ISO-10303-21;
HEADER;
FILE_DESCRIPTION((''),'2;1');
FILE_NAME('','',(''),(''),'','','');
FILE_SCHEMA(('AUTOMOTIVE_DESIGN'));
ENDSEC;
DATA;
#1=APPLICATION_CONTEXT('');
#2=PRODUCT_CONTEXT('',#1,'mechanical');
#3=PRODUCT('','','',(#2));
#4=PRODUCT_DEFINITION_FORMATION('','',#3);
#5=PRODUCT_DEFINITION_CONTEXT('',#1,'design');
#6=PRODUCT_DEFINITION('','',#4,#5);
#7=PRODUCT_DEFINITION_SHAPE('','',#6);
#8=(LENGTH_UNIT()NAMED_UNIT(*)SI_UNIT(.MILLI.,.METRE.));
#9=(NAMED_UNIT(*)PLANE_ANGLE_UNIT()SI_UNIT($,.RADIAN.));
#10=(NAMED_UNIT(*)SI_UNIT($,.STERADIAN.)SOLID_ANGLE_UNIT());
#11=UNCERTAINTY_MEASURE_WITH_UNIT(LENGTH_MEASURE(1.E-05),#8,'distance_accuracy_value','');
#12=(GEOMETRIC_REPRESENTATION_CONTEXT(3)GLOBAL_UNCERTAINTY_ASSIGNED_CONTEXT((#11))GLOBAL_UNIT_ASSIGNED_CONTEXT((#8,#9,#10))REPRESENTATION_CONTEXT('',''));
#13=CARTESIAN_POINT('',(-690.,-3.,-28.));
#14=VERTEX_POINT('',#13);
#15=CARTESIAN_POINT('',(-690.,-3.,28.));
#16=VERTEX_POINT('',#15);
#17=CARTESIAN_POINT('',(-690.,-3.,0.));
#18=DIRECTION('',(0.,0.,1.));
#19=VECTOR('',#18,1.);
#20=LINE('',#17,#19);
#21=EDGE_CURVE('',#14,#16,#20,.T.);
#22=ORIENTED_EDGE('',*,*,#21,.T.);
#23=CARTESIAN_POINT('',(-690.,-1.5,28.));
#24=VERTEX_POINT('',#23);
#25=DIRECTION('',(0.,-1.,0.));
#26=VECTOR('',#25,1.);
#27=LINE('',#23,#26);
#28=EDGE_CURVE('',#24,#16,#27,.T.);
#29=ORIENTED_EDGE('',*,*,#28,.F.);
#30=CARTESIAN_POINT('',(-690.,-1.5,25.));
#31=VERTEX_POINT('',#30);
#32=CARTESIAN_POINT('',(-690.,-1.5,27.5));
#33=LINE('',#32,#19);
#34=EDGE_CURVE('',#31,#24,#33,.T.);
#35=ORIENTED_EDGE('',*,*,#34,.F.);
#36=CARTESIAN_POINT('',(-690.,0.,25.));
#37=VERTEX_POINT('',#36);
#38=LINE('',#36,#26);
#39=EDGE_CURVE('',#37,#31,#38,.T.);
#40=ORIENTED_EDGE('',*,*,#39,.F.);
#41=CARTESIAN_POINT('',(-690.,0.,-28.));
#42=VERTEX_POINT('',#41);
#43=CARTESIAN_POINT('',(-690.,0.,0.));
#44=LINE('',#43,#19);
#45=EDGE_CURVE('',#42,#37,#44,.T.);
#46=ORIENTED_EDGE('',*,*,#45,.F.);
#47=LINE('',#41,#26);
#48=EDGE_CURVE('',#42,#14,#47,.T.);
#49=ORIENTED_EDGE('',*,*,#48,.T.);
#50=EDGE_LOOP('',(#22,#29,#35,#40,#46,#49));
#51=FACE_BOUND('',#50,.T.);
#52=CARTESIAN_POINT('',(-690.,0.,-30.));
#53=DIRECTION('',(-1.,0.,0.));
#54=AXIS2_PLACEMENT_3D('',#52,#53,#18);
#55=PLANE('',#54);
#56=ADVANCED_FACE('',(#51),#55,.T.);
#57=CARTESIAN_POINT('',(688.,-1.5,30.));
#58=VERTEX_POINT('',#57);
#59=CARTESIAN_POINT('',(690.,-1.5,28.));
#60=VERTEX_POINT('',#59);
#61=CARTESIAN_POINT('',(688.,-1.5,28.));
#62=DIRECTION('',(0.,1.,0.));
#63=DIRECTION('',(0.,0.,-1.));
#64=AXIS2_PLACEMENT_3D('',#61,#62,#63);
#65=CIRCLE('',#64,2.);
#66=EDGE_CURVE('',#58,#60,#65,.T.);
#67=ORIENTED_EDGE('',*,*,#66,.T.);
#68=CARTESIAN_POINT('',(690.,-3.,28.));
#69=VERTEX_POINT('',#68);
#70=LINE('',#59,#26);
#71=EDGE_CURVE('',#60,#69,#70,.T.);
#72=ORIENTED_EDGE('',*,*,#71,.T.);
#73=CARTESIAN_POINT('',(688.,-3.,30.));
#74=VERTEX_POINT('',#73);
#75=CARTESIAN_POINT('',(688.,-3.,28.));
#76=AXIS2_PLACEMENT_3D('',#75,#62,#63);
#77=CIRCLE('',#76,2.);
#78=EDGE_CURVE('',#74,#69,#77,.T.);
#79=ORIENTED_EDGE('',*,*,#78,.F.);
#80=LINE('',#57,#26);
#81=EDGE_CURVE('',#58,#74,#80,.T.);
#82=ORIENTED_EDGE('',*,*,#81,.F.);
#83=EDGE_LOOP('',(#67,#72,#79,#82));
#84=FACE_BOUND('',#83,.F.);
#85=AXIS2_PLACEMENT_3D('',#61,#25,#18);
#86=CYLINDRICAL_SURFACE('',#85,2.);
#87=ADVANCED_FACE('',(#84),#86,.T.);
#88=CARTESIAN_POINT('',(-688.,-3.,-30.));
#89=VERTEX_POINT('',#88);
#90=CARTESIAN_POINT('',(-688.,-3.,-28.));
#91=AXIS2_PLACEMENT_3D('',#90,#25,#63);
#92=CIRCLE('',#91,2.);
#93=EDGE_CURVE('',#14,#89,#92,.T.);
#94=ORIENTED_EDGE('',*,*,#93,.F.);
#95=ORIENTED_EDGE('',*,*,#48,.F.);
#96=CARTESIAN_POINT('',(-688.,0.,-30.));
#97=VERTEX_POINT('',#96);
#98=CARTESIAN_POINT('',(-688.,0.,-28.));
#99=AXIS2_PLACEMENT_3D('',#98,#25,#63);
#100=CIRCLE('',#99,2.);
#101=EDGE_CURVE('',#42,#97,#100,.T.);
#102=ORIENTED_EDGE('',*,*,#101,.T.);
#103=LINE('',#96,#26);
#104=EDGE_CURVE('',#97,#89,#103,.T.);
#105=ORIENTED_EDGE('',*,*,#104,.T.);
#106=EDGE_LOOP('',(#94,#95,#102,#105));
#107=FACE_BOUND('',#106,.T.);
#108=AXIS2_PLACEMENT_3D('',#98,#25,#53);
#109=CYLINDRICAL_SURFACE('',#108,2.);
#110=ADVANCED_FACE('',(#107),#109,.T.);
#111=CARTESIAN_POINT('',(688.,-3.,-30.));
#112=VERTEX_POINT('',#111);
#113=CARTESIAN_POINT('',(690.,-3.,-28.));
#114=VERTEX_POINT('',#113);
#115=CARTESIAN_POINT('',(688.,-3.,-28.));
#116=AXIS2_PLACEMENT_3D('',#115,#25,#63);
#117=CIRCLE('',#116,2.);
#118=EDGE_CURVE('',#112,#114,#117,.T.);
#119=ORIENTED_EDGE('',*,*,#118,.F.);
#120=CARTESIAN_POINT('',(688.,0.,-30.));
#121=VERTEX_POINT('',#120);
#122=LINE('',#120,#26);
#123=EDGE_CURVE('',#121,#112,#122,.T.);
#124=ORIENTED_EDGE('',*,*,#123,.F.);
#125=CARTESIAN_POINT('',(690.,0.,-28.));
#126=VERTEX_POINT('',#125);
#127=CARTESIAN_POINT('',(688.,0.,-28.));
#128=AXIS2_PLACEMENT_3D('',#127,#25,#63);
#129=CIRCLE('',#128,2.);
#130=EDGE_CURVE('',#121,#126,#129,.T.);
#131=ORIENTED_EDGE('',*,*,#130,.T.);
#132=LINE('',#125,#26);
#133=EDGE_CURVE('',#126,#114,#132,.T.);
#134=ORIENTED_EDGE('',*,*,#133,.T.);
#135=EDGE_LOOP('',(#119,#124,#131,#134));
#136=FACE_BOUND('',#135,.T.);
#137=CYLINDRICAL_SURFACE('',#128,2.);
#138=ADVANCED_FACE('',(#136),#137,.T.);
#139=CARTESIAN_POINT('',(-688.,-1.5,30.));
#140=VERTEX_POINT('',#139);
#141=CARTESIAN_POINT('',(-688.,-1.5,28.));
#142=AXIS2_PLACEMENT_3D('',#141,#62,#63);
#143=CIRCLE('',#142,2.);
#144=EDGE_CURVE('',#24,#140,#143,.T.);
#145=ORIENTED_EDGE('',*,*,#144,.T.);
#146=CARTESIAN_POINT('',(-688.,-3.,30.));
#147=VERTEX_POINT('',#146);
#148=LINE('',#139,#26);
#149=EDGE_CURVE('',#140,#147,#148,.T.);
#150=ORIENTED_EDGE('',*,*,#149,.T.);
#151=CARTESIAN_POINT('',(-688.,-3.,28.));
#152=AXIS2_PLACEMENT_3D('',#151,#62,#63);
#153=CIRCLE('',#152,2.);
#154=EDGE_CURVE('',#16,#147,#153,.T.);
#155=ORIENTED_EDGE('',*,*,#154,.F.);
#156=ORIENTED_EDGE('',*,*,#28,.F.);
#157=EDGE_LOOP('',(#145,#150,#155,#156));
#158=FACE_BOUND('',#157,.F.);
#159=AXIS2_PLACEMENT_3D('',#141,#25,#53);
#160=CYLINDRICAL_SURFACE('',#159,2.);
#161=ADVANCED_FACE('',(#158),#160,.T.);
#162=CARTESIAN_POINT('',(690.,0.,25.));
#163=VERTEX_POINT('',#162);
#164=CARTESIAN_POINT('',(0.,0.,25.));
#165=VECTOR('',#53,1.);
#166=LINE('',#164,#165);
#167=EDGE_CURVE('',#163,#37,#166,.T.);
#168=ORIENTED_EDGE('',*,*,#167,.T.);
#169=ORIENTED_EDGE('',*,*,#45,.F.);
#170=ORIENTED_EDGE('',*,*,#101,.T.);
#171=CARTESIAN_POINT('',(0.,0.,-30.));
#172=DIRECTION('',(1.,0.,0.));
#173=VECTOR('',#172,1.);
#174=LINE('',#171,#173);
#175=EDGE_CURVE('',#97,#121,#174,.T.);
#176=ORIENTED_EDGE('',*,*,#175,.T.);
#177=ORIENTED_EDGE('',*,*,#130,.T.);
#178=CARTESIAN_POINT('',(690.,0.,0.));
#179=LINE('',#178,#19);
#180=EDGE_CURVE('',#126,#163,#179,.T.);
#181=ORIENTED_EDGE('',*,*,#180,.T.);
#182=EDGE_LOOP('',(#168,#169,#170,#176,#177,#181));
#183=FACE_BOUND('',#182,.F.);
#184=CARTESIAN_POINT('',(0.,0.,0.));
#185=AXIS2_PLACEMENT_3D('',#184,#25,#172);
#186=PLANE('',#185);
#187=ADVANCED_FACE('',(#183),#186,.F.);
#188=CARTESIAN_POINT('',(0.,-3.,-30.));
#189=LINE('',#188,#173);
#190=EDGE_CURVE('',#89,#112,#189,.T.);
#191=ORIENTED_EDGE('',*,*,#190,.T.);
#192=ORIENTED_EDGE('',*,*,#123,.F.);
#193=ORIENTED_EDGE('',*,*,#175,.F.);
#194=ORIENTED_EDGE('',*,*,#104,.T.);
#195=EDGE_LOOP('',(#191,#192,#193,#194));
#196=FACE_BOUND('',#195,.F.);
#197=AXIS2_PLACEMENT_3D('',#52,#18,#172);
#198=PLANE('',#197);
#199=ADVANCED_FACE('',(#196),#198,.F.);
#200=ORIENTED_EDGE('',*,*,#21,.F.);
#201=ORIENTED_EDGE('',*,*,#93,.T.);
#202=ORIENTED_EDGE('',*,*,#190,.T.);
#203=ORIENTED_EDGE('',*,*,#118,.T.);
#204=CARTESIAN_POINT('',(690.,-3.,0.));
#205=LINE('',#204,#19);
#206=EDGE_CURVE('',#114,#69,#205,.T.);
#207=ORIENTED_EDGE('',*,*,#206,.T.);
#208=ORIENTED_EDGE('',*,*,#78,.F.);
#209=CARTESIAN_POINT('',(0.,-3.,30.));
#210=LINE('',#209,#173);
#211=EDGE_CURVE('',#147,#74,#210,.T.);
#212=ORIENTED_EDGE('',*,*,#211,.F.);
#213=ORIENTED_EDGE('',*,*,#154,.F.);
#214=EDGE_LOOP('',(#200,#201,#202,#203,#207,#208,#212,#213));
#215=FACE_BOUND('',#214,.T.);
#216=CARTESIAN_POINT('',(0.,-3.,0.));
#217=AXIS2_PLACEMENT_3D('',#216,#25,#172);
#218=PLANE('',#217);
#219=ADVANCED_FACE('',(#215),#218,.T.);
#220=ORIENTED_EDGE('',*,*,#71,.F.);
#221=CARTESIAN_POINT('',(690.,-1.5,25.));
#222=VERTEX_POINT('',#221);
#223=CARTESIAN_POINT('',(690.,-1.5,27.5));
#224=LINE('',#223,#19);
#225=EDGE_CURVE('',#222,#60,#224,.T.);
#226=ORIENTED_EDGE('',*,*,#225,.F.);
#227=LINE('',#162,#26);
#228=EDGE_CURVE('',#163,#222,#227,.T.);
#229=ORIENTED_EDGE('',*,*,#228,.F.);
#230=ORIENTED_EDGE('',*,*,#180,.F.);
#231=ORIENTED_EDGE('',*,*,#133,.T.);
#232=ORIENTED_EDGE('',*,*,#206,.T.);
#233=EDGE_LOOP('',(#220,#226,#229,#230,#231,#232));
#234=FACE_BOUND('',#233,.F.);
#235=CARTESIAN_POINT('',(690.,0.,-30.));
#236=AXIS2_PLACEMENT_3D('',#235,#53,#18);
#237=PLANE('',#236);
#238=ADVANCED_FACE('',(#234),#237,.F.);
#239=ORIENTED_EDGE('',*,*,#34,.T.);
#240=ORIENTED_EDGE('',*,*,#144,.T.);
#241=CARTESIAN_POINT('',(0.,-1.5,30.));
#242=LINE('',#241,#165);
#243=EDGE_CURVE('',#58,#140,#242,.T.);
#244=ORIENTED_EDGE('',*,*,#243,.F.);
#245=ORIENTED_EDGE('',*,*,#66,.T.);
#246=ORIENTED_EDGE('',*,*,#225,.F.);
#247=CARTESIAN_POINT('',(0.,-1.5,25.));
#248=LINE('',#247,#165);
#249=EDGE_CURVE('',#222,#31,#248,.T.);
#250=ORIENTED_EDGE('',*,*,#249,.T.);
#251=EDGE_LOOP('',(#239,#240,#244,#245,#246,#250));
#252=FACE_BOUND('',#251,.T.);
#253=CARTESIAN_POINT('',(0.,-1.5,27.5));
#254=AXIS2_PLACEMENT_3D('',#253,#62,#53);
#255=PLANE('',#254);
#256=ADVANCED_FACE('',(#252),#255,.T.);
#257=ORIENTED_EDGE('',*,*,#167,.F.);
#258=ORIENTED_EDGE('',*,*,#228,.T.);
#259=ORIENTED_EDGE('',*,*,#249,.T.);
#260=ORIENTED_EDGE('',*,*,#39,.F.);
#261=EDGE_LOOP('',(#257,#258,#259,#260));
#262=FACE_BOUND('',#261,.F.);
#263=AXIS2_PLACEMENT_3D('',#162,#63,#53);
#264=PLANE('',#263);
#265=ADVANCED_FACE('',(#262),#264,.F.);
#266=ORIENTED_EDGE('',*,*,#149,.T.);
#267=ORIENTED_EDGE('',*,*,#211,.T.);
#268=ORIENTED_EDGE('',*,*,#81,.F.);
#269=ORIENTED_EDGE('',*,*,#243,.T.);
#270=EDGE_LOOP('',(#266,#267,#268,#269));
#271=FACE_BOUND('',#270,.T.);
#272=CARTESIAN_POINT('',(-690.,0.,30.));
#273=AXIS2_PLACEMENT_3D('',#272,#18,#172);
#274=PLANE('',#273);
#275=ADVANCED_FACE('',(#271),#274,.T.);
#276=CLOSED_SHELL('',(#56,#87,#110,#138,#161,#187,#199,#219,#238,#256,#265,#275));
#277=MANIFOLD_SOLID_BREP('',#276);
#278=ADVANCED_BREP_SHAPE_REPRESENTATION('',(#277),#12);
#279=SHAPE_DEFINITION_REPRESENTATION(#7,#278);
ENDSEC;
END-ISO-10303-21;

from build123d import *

# Parameters (mm, degrees)
F0_W     = 1380
F0_H     = 60
F1_DEPTH = 3
F2_W     = 1380
F2_H     = 5
F3_DEPTH = 1.5
F4_R     = 2


with BuildPart() as f1:
    # F0 (on Front) → F1 (new body)
    with BuildSketch(Plane.XZ):
        Rectangle(F0_W, F0_H)
    extrude(amount=F1_DEPTH)

    # F2 (on face) → F3 (cut)
    with BuildSketch(Plane(origin=(0, 0, 0), x_dir=(-1, 0, 0), z_dir=(0, 1, 0))):
        with Locations((0, 27.5)):
            Rectangle(F2_W, F2_H)
    extrude(amount=-F3_DEPTH, mode=Mode.SUBTRACT)

    # F4
    f4_edges = [f1.edges().sort_by_distance(p)[0] for p in [
        (690, -2.25, 30),
        (690, -1.5, -30),
        (-690, -2.25, 30),
        (-690, -1.5, -30),
    ]]
    fillet(f4_edges, radius=F4_R)


solid = f1.part
